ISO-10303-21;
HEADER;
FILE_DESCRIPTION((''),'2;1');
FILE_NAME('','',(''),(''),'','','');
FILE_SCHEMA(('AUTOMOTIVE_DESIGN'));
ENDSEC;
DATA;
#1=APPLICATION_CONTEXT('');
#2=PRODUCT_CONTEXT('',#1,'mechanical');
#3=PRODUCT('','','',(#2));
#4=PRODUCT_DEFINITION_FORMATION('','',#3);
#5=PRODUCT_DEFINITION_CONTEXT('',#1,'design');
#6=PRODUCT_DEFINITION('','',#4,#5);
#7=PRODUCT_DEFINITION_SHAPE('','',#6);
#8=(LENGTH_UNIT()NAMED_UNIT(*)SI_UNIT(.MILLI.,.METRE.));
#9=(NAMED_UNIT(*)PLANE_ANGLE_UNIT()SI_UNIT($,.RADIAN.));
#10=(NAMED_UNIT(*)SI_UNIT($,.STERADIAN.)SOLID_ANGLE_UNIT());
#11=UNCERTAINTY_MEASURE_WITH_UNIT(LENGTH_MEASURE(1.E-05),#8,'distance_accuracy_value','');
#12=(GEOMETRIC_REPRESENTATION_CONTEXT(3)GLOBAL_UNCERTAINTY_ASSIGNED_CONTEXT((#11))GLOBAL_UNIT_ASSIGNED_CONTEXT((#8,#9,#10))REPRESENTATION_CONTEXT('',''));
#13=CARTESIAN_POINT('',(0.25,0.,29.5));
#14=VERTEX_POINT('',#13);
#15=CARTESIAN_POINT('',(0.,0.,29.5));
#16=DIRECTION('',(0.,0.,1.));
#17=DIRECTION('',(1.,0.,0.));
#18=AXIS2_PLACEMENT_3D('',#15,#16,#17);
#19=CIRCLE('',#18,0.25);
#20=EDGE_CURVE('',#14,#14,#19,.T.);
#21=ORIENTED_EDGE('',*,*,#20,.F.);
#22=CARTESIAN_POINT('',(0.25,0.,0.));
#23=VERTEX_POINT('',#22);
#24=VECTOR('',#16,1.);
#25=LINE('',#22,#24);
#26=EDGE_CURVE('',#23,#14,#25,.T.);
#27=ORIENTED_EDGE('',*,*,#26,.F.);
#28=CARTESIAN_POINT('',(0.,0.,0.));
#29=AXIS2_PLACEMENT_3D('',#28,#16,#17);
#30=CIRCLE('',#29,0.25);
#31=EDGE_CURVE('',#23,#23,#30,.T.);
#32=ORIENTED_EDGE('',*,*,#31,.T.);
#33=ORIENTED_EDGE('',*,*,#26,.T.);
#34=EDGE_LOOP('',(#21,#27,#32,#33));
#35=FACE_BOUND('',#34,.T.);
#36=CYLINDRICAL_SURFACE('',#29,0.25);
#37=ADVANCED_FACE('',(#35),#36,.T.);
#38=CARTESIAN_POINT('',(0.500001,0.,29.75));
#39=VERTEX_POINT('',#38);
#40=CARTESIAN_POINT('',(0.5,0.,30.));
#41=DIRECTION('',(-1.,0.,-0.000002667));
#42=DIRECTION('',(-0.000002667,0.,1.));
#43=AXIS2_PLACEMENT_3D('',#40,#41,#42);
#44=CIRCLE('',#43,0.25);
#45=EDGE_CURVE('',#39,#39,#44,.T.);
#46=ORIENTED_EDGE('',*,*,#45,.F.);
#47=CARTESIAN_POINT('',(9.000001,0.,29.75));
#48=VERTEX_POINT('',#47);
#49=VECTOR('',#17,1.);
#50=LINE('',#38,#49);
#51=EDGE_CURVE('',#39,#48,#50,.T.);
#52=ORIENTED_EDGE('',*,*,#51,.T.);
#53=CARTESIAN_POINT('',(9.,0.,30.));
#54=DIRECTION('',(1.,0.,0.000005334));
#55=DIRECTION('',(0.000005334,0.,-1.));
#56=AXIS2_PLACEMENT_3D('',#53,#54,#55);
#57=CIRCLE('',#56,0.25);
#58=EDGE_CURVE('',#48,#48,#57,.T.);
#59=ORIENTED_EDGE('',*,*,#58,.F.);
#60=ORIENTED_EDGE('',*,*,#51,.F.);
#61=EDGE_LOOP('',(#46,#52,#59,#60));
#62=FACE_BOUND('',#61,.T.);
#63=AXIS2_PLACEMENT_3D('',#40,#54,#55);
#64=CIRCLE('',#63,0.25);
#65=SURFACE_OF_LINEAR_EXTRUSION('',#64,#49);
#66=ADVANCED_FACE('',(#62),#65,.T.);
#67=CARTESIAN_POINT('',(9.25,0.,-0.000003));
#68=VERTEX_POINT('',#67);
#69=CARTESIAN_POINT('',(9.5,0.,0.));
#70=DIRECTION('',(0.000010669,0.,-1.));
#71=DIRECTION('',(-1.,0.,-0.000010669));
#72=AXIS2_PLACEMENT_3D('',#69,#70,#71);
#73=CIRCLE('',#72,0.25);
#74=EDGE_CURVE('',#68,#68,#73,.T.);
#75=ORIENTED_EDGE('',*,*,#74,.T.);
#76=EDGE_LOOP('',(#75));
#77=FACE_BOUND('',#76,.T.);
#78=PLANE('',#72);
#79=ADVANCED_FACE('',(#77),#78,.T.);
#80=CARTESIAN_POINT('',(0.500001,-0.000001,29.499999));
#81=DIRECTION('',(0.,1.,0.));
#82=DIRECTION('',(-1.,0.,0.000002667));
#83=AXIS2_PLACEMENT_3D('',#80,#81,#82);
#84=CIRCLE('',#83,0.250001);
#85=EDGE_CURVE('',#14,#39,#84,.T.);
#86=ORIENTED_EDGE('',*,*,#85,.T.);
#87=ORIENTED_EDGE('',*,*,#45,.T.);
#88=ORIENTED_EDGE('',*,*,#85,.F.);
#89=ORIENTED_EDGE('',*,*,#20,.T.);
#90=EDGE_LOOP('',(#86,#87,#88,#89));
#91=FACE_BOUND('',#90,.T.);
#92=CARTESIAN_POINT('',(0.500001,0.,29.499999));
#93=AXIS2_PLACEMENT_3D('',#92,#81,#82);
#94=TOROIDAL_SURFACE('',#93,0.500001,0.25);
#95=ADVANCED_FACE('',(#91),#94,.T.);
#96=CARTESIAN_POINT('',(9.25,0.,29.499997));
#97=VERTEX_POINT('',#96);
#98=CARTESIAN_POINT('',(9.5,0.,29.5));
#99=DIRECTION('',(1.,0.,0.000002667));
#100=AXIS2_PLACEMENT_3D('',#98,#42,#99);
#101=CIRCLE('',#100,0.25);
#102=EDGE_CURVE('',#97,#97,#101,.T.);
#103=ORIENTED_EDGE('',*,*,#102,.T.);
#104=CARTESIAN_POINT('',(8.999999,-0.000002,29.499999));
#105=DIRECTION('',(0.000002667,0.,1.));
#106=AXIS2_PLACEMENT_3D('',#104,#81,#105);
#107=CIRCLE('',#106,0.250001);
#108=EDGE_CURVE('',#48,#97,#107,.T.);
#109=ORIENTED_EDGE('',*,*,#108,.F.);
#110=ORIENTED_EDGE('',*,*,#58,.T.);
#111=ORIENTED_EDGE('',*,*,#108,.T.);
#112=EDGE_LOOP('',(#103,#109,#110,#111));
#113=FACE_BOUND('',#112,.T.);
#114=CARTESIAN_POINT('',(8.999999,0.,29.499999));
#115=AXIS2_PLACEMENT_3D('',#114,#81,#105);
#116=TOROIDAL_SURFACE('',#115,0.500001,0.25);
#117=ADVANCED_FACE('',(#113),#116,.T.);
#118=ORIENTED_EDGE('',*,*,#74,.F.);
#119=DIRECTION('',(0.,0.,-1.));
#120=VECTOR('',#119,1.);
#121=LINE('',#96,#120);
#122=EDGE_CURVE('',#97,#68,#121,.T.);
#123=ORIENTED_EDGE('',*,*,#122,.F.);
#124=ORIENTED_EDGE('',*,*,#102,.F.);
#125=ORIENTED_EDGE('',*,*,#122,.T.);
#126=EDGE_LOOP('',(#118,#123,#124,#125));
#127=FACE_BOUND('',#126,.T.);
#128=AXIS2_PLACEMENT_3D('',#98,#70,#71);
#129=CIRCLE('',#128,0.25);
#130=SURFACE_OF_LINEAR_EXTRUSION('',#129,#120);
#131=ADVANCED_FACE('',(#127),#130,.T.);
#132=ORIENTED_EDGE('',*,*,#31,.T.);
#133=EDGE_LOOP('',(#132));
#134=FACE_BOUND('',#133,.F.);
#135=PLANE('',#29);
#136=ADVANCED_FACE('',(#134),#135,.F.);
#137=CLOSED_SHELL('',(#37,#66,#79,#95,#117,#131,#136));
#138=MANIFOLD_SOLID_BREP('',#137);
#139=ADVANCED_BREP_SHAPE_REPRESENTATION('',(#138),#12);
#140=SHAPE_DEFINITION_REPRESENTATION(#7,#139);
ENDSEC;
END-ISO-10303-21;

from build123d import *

# Parameters (mm, degrees)
F0_R = 0.25


with BuildPart() as f2:
    # F2: sweep along a path in F1
    with BuildLine(Plane.XZ) as f2_path:
        Line((0, 0), (0, 29.5))
        ThreePointArc((0, 29.5), (0.146447, 29.853553), (0.5, 30))
        Line((0.5, 30), (9, 30))
        ThreePointArc((9, 30), (9.353553, 29.853553), (9.5, 29.5))
        Line((9.5, 29.5), (9.5, 0))
    # F0 (on Top) → F2 (sweep)
    with BuildSketch(Plane.XY):
        Circle(F0_R)
    sweep(path=f2_path.line)


solid = f2.part
